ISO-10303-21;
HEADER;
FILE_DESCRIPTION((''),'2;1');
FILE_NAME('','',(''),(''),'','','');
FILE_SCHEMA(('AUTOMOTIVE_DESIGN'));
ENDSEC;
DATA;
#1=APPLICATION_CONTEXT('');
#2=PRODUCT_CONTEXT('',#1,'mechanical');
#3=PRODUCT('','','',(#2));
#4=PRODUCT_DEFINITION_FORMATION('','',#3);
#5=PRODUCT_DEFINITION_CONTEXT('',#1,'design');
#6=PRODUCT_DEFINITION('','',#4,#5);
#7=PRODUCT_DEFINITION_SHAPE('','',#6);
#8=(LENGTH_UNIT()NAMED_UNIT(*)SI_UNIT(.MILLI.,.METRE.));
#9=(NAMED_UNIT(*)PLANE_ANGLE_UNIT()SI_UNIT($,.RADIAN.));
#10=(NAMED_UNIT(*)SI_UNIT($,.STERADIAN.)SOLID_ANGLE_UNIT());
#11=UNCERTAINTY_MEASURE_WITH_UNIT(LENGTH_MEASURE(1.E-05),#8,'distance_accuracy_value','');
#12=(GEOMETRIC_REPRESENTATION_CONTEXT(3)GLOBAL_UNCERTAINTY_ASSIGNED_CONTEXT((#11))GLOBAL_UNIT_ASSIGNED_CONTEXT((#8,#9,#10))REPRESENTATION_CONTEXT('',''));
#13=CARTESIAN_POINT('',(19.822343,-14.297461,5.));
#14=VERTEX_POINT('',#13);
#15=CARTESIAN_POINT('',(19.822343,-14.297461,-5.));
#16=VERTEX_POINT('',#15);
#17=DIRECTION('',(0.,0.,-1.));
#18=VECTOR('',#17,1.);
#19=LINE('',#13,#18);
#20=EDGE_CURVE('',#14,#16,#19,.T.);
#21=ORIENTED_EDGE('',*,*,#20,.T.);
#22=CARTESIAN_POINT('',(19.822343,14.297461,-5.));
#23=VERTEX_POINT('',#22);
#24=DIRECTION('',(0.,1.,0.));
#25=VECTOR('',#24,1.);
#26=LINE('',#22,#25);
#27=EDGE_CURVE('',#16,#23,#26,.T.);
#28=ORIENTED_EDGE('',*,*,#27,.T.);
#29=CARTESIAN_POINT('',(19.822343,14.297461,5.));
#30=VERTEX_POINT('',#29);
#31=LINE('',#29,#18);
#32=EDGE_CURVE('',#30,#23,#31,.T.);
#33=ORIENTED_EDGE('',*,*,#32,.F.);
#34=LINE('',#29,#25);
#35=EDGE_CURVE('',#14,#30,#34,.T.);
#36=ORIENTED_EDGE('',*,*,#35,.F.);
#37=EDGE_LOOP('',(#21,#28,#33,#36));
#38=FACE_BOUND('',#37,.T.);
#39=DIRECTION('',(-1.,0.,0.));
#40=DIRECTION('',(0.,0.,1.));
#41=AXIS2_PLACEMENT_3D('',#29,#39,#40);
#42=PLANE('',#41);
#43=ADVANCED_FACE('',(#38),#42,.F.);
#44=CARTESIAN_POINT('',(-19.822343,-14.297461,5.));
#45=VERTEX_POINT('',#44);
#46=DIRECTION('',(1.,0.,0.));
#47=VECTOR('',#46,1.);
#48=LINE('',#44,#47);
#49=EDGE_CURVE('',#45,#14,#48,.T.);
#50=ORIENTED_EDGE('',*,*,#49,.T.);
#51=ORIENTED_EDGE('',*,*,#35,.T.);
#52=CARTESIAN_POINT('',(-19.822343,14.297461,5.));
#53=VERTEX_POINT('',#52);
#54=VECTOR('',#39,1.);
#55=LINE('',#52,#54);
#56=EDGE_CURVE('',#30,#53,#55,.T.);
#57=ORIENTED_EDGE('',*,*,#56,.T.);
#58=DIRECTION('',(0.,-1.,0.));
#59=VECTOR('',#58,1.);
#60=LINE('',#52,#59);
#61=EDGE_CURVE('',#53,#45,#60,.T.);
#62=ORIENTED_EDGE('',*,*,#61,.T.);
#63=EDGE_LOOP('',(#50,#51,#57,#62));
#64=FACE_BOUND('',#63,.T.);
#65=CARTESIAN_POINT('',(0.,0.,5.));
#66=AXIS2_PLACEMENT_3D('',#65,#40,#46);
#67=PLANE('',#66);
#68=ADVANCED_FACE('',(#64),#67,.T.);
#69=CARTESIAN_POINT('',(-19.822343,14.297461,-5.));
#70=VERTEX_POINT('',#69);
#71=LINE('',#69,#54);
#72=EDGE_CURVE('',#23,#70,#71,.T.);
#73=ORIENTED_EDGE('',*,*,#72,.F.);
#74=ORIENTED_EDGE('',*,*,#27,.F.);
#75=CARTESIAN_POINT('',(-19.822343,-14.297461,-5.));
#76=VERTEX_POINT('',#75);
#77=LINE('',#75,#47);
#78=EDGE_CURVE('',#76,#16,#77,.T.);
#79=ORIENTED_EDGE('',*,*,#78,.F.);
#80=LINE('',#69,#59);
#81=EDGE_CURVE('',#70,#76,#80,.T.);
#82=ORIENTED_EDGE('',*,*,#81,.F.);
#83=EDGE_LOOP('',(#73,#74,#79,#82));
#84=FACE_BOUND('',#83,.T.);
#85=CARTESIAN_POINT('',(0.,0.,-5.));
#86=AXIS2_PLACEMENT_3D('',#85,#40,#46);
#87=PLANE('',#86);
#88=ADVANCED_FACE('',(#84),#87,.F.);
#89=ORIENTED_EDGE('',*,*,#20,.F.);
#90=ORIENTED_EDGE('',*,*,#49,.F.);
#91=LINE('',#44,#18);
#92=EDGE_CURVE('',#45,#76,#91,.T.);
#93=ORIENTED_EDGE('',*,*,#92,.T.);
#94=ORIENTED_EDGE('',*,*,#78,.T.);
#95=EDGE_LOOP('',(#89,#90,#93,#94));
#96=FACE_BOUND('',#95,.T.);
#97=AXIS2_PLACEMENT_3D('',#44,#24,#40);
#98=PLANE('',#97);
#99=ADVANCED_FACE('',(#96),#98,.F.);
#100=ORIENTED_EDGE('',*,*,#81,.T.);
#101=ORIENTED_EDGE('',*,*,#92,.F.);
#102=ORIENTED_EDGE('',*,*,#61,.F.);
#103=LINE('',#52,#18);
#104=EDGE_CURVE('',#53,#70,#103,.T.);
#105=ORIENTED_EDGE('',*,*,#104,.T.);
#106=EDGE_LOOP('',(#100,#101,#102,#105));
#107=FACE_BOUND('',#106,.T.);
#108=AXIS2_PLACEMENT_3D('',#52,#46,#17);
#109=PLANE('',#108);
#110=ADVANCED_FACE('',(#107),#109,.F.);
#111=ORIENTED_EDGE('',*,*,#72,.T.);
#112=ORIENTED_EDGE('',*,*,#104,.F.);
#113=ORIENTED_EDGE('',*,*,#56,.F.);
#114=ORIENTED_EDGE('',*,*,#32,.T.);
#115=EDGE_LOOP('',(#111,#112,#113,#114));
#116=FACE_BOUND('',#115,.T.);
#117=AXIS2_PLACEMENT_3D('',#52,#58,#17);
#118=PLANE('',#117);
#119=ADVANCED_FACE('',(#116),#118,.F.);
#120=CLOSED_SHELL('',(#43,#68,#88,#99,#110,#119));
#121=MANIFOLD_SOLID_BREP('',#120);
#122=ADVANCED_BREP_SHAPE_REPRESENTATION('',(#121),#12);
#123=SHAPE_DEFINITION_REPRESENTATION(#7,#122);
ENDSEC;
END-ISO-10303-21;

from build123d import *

# Parameters (mm, degrees)
ESBO_O1_W                = 39.64468576
ESBO_O1_H                = 28.594921016
RESSALTO_EXTRUS_O1_DEPTH = 5


with BuildPart() as part:
    # Esboço1 → Ressalto-extrusão1 (new, symmetric)
    with BuildSketch(Plane.XY):
        Rectangle(ESBO_O1_W, ESBO_O1_H)
    extrude(amount=RESSALTO_EXTRUS_O1_DEPTH, both=True)


solid = part.part
